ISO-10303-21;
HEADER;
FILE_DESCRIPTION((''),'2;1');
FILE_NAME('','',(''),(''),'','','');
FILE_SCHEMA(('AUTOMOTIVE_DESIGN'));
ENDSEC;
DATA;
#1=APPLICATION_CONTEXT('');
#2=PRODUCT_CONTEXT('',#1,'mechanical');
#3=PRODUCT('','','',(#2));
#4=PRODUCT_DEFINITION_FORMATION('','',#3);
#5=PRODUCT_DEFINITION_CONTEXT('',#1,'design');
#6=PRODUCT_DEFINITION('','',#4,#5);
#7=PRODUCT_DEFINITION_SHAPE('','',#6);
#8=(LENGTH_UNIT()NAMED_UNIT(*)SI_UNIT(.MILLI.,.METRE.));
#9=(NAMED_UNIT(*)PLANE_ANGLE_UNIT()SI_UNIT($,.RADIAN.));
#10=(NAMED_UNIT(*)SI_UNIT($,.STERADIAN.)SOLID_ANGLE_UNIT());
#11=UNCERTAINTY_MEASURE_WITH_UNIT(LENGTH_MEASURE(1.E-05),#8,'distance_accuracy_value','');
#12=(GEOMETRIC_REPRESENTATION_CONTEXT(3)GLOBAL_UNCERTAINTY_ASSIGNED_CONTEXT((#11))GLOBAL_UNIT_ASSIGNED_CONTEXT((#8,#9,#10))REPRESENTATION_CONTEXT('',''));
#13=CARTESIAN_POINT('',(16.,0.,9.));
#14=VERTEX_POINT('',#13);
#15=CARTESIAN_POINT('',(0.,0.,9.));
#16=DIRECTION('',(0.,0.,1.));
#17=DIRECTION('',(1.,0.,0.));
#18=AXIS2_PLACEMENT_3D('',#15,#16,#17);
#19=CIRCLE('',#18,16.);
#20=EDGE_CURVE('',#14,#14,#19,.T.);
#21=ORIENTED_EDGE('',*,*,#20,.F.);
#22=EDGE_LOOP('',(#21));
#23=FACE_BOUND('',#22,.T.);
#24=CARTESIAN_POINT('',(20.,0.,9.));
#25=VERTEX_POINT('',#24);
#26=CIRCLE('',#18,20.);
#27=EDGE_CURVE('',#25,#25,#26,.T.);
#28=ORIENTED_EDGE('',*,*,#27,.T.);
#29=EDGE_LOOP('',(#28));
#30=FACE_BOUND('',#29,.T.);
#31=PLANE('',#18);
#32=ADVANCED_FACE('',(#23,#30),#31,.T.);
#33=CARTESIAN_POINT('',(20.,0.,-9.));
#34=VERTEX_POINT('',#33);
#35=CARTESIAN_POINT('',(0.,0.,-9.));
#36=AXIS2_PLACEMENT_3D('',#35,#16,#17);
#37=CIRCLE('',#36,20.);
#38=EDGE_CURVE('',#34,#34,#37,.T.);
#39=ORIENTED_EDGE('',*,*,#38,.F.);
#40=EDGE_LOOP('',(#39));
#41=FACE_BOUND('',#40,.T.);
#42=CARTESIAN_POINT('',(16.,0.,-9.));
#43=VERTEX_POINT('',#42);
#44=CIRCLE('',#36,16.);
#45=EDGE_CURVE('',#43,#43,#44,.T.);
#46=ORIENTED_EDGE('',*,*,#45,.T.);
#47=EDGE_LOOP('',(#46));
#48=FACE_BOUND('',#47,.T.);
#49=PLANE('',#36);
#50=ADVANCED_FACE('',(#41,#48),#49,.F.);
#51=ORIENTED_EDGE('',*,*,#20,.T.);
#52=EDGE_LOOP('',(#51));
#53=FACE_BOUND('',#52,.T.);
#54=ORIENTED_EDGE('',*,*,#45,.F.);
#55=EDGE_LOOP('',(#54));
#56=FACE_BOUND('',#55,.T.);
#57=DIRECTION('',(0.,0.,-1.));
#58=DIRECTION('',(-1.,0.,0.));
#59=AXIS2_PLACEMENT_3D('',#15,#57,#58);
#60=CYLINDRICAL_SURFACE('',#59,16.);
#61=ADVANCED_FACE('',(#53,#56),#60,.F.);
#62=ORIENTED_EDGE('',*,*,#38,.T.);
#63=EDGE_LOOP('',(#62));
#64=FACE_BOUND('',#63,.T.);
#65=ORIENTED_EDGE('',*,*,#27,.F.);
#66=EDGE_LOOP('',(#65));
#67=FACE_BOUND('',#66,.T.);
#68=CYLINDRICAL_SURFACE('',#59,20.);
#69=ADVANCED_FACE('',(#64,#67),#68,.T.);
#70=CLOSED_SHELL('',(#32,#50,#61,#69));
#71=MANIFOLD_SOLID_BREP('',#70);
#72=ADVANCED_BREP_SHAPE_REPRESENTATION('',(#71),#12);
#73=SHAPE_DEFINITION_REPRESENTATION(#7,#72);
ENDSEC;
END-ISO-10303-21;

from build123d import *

# Parameters (mm, degrees)
SKETCH_1_R      = 20
SKETCH_1_R_2    = 16
EXTRUDE_1_DEPTH = 9


with BuildPart() as part:
    # 草图1 → 凸台-拉伸1 (new, symmetric)
    with BuildSketch(Plane.XY):
        Circle(SKETCH_1_R)
        Circle(SKETCH_1_R_2, mode=Mode.SUBTRACT)
    extrude(amount=EXTRUDE_1_DEPTH, both=True)


solid = part.part
